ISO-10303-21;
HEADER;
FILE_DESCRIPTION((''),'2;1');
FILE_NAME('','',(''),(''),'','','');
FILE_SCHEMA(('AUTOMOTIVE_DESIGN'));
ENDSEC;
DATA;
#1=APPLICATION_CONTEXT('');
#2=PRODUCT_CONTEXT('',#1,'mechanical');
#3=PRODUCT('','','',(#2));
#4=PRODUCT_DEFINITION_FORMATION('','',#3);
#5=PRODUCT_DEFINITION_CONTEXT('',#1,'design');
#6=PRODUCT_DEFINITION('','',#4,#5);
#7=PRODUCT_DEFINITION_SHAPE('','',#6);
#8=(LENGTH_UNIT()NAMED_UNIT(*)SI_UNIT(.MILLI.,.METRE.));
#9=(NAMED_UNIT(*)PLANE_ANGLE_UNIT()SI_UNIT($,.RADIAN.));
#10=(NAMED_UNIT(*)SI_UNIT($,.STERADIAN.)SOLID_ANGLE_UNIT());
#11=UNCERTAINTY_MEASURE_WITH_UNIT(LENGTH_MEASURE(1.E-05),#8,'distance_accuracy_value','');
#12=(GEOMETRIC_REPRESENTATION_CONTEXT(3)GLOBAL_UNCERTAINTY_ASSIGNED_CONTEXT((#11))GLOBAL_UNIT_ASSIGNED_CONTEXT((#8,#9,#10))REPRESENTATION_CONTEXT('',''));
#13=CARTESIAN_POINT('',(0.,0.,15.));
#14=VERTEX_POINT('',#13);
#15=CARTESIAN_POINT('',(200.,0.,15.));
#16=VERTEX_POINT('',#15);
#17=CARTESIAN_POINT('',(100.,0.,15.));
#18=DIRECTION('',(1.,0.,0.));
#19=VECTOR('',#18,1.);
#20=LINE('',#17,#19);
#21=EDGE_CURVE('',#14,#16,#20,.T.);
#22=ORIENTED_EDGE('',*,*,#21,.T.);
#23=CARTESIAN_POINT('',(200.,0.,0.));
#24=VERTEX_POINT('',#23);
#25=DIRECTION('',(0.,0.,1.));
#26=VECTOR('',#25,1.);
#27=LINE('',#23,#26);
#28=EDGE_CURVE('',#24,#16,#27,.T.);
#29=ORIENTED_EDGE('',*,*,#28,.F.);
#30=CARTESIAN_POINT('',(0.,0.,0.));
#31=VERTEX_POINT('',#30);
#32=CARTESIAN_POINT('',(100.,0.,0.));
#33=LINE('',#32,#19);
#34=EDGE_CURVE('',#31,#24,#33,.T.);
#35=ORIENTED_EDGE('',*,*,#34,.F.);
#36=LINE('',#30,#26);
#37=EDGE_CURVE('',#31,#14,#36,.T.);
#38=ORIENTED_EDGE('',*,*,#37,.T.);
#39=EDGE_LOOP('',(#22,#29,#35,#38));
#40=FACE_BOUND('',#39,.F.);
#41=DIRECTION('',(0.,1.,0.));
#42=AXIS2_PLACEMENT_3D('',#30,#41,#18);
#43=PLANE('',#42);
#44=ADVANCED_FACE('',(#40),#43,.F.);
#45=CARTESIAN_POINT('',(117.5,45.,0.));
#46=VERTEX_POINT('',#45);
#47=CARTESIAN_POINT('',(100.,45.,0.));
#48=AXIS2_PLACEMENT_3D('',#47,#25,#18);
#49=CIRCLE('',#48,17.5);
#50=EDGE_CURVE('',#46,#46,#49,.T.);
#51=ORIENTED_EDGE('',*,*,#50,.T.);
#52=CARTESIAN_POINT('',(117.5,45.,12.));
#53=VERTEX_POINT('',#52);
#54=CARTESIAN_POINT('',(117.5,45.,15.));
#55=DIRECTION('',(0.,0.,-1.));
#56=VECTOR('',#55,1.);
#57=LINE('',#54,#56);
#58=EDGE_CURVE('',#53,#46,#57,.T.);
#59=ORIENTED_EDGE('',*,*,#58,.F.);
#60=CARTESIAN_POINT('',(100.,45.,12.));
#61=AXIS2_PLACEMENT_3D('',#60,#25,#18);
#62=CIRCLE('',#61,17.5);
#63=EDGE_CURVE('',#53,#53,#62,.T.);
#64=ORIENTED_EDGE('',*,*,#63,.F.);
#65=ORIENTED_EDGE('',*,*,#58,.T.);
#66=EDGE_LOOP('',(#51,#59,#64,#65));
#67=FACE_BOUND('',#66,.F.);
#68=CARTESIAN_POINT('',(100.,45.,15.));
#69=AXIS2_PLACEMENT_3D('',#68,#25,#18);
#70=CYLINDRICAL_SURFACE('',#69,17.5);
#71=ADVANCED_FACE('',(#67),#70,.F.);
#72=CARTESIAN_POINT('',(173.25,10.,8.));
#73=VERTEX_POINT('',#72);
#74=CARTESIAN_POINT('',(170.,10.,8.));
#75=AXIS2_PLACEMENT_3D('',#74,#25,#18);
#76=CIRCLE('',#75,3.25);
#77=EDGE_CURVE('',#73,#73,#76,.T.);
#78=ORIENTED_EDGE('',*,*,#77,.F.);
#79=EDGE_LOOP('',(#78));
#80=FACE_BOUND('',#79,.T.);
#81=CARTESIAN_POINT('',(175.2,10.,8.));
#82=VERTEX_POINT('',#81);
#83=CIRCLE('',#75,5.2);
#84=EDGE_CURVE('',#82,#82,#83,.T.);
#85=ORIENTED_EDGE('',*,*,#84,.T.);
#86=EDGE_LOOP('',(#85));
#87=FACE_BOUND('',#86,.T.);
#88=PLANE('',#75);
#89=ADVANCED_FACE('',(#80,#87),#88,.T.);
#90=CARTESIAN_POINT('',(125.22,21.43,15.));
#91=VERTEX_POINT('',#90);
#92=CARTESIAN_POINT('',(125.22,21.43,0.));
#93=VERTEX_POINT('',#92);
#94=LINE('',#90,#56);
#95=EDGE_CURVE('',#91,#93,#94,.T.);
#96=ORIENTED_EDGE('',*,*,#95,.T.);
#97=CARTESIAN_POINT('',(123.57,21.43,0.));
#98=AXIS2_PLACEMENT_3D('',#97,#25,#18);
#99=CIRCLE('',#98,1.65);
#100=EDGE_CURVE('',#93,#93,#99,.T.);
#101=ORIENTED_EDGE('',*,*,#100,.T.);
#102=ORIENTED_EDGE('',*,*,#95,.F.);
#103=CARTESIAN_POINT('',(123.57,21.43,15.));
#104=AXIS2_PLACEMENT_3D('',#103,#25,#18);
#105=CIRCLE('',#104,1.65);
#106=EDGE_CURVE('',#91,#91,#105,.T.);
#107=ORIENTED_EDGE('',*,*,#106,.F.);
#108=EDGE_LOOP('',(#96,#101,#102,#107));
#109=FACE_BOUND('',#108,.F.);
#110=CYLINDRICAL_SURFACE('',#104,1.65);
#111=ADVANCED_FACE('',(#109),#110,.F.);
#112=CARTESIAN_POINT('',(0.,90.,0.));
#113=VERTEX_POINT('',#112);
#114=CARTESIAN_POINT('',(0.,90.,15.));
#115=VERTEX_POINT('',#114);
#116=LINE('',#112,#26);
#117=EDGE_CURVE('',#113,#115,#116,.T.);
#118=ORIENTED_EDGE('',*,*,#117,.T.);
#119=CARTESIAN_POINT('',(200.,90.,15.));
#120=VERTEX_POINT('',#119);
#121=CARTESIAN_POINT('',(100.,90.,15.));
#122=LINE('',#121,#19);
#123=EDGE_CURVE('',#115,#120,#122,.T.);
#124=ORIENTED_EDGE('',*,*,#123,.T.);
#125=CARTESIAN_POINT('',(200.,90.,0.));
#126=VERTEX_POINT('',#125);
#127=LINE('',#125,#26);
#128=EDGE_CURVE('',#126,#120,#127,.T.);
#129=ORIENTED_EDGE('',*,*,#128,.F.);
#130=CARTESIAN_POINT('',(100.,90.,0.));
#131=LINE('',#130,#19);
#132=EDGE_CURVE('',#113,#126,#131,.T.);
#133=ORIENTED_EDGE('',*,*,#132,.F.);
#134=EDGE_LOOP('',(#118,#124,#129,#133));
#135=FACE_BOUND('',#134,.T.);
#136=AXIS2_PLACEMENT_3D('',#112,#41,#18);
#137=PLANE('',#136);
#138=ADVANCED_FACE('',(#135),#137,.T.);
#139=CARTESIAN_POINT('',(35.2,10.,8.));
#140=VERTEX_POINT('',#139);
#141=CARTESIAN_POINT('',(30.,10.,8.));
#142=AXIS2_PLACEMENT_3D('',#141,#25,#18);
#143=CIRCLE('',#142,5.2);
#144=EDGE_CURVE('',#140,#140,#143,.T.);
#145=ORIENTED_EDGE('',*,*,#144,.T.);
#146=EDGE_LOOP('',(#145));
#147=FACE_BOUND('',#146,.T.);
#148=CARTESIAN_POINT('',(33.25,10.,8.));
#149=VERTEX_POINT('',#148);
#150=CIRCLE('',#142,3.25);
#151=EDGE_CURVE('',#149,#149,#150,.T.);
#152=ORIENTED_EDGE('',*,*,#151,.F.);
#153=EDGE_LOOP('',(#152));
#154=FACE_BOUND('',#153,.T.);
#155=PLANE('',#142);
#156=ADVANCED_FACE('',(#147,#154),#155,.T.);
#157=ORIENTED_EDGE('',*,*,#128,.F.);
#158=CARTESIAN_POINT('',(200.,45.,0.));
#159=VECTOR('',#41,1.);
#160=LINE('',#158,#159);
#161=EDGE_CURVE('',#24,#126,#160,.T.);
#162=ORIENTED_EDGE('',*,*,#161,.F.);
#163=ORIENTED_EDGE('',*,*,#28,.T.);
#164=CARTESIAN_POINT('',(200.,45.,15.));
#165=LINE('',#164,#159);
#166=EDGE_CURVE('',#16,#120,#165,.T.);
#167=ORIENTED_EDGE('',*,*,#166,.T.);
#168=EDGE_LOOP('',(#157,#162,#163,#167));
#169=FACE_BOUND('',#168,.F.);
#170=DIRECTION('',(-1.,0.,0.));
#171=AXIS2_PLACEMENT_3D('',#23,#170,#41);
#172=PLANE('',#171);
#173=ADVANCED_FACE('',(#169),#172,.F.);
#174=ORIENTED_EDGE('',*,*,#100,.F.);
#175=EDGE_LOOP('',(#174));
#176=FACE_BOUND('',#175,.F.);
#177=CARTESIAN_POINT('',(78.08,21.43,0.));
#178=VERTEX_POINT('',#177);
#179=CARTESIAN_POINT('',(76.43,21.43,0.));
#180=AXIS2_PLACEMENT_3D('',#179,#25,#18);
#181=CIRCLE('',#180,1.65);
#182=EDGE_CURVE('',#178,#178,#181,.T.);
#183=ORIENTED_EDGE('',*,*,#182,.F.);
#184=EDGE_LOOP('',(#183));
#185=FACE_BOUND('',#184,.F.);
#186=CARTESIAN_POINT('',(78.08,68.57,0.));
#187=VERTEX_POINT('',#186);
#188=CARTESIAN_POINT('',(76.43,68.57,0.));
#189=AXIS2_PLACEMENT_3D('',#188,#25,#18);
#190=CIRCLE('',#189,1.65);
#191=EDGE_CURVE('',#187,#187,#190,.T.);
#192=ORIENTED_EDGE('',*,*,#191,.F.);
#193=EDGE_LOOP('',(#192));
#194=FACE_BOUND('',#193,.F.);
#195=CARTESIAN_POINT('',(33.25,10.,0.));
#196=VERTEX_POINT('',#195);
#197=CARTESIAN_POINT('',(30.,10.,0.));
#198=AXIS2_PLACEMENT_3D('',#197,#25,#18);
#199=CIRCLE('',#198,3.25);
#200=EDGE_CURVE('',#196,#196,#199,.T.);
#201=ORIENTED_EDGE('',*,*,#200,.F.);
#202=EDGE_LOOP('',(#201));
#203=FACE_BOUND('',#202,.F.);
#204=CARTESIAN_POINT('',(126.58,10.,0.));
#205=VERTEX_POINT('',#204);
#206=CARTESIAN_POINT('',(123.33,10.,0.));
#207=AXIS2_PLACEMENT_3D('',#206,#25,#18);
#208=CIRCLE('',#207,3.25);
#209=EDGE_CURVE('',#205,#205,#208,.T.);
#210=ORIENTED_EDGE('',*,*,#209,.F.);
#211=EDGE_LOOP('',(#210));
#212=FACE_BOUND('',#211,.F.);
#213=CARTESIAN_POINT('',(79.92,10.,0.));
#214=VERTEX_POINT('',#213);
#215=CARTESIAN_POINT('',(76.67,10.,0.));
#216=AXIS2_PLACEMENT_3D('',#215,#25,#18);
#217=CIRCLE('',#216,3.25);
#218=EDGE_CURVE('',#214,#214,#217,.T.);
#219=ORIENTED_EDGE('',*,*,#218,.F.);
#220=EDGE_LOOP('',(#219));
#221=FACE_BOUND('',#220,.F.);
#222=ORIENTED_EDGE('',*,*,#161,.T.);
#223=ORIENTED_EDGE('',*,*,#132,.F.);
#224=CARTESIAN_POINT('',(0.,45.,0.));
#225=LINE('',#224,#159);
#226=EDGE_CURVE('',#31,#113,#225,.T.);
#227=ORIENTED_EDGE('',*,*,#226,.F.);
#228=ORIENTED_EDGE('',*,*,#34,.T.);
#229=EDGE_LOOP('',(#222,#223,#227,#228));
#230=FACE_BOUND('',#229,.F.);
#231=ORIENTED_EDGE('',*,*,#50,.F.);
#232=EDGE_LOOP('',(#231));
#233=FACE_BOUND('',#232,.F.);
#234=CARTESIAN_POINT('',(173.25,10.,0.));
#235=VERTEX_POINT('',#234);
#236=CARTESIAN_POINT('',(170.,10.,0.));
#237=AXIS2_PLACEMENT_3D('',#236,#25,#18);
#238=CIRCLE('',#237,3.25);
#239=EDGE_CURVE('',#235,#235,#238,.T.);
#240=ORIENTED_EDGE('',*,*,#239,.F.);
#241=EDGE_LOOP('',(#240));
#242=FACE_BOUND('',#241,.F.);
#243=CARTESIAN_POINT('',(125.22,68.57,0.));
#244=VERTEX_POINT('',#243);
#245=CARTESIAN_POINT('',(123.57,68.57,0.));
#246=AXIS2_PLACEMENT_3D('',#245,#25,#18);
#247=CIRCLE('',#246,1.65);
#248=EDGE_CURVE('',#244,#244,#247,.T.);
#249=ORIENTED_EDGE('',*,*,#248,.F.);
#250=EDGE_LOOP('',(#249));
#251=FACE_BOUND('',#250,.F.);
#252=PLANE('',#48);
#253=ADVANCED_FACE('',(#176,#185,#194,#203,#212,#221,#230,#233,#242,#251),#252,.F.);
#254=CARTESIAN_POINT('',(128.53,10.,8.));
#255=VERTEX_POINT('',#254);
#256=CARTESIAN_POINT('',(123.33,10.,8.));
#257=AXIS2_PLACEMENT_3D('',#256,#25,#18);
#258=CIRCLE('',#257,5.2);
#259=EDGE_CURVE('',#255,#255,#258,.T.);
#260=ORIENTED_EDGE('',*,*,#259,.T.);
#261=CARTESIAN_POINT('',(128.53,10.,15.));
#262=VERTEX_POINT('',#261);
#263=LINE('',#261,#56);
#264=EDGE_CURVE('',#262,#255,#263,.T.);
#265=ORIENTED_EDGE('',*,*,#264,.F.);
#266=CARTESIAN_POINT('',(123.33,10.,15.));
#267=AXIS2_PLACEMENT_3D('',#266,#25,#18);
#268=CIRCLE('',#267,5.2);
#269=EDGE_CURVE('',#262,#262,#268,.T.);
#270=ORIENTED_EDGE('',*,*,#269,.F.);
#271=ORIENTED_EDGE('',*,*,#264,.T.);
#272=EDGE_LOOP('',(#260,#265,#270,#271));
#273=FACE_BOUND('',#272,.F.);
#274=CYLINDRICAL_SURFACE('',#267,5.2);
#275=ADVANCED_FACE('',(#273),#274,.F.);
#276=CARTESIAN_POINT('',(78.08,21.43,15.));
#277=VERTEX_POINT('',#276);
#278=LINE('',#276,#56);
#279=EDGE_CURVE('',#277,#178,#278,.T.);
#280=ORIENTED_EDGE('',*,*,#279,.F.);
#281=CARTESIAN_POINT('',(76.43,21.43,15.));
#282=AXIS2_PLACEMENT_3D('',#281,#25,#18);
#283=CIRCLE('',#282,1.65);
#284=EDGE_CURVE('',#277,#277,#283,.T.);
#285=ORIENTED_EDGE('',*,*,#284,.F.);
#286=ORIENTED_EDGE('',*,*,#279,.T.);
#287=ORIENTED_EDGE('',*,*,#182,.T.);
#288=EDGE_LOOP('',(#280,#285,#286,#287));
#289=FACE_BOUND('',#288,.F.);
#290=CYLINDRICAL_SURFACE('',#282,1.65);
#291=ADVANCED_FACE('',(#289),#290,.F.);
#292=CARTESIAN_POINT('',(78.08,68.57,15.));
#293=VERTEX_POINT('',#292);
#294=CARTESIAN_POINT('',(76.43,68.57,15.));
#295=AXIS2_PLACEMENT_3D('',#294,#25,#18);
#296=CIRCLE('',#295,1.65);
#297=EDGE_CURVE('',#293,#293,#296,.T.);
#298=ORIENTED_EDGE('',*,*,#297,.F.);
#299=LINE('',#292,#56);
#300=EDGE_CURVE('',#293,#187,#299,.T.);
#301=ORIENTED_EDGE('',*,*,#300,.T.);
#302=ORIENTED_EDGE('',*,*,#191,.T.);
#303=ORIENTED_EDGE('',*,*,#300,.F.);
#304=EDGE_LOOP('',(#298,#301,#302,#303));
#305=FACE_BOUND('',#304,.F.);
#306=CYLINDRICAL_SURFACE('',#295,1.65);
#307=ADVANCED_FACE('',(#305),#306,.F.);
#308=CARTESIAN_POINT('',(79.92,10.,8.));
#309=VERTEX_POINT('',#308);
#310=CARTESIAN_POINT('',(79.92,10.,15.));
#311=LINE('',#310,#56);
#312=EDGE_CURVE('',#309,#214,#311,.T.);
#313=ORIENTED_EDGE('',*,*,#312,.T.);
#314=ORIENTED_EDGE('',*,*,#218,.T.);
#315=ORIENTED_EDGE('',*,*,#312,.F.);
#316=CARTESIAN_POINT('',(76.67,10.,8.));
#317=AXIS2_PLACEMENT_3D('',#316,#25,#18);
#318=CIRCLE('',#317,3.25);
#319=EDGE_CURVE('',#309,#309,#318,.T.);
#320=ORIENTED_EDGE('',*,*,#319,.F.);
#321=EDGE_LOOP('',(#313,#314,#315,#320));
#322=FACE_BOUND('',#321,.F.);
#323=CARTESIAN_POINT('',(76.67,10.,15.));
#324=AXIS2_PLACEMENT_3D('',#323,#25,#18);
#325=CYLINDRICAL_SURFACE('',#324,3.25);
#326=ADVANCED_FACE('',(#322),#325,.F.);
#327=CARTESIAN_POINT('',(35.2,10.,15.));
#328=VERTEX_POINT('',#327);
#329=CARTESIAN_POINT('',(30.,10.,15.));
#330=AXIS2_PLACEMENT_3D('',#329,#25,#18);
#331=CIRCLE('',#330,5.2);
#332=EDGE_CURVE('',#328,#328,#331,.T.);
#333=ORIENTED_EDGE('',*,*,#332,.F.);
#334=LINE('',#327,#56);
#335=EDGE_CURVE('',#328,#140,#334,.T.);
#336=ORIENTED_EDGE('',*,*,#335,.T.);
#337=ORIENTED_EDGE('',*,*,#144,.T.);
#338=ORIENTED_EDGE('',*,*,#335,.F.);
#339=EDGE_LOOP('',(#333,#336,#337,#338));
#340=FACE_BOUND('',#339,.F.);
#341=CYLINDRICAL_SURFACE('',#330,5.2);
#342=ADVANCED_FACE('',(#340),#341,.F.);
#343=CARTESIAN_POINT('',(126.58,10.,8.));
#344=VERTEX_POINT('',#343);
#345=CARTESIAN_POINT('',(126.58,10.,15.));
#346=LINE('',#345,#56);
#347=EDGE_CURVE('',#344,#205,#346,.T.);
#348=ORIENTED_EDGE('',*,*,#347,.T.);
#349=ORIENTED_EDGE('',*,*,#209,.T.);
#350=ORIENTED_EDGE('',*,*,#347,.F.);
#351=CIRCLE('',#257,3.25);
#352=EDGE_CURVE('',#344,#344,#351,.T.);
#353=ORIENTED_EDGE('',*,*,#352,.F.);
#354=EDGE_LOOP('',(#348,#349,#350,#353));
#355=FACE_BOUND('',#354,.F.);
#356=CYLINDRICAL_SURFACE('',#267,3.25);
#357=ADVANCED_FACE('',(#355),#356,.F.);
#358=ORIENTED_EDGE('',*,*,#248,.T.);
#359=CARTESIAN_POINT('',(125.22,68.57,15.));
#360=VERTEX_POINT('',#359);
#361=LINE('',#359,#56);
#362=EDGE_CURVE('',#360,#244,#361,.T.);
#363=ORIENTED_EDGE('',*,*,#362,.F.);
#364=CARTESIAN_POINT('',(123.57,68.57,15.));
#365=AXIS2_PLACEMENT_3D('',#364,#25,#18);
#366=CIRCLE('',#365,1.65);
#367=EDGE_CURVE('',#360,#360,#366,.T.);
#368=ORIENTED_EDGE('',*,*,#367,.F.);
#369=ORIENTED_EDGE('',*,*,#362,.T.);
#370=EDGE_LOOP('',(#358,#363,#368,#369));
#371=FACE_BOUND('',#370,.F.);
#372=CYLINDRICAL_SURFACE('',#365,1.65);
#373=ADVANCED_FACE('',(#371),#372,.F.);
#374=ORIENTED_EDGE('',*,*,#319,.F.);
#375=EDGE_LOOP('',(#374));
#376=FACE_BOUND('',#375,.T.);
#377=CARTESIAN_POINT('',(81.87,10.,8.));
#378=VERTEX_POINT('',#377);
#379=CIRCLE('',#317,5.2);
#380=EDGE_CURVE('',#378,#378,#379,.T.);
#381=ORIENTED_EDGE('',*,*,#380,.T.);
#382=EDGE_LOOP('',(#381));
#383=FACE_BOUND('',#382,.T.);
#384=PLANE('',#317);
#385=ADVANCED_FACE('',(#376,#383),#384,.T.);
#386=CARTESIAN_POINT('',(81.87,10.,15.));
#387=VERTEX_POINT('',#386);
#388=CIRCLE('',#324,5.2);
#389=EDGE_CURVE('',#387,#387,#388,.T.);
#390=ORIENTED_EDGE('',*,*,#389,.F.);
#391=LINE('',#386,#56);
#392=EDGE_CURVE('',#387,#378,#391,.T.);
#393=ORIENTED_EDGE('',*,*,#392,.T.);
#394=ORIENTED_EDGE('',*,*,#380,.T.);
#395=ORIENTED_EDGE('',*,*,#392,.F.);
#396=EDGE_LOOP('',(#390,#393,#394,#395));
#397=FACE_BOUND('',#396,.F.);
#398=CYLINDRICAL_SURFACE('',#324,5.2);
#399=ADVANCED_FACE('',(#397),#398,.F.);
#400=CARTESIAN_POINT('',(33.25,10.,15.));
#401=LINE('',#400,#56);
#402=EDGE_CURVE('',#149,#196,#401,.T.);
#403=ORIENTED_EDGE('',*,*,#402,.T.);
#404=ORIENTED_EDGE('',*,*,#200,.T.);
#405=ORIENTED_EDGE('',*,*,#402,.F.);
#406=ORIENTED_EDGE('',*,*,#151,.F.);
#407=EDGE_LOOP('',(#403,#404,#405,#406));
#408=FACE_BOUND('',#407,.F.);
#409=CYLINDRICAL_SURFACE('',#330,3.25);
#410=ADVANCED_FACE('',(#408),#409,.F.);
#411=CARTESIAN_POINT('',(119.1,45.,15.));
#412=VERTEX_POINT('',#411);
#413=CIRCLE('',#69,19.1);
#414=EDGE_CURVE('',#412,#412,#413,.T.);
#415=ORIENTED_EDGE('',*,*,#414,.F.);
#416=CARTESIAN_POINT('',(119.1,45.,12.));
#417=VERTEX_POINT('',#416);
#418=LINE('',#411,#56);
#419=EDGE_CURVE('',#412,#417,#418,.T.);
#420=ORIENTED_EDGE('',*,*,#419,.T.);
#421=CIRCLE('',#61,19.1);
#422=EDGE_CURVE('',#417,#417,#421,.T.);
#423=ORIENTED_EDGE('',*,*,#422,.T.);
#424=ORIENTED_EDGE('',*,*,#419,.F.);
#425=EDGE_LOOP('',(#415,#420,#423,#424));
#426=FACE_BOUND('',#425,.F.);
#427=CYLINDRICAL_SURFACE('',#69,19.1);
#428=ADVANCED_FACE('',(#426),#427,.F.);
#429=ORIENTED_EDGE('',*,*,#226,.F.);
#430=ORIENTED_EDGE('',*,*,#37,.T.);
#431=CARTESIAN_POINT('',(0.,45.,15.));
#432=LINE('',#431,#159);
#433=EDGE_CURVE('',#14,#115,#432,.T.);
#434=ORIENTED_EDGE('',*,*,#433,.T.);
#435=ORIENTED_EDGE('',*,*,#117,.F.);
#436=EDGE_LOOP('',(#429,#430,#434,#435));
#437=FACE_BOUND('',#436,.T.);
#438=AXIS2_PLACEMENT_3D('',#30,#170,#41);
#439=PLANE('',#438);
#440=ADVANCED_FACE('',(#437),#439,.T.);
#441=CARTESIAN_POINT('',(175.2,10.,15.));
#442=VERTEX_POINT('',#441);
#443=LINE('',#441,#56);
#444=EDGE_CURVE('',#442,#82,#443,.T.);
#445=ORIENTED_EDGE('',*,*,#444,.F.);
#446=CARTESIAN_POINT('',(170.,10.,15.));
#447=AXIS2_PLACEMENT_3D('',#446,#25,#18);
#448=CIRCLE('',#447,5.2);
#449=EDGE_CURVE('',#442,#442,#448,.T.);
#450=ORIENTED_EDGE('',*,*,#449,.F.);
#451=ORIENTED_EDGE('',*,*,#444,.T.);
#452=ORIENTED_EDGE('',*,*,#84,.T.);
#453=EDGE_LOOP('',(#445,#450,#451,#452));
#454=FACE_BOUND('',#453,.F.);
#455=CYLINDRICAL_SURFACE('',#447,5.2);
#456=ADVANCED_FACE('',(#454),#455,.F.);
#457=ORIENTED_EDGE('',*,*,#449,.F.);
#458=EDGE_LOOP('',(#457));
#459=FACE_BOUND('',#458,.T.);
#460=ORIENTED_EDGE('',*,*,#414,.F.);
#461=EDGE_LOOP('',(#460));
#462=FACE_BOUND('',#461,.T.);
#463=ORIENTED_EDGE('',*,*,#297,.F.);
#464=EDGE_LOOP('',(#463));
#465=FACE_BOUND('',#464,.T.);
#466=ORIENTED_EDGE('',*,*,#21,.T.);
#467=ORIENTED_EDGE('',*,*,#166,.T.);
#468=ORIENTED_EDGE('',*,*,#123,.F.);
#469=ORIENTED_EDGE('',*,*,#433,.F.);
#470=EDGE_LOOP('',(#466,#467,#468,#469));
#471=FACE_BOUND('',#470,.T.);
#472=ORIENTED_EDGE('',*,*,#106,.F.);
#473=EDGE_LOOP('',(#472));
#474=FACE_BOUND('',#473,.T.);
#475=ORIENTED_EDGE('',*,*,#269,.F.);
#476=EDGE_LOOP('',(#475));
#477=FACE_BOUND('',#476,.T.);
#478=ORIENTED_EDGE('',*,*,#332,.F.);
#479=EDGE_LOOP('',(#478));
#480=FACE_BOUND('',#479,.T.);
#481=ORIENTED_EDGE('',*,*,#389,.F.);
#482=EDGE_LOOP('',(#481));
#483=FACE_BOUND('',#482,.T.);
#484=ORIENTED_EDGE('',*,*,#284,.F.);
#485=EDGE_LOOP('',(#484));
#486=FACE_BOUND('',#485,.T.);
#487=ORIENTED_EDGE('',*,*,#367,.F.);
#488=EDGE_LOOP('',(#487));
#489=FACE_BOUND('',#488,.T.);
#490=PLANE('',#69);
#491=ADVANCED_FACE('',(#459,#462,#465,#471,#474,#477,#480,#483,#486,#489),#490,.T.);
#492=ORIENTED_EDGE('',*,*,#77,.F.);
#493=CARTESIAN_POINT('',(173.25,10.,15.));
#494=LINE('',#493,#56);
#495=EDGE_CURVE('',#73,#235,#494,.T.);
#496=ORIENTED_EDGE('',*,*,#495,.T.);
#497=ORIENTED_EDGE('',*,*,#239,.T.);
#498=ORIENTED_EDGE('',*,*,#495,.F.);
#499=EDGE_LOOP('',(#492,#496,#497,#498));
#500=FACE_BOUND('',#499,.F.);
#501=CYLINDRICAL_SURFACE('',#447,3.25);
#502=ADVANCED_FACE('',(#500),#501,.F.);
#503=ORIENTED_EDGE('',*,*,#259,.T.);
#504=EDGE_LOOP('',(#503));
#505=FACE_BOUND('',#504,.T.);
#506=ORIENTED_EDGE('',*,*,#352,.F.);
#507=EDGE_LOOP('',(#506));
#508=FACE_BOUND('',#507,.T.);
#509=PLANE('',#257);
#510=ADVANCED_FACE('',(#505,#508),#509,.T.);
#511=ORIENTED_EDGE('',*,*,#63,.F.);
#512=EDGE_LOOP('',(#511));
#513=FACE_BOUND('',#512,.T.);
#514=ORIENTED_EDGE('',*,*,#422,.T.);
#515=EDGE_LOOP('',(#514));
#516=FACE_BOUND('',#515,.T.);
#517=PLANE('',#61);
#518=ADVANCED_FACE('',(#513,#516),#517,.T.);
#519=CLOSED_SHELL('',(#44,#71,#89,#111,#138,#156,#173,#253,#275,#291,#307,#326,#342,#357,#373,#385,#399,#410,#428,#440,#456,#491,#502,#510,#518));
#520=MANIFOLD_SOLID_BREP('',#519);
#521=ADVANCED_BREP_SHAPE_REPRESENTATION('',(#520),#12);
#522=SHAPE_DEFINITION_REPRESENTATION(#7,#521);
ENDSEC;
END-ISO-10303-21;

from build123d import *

# Parameters (mm, degrees)
SKETCH_W        = 200
SKETCH_H        = 90
PAD_DEPTH       = 15
SKETCH001_R     = 17.5
SKETCH001_R_2   = 3.25
POCKET_DEPTH    = 15
SKETCH002_R     = 1.65
POCKET001_DEPTH = 15
SKETCH003_R     = 19.1
POCKET002_DEPTH = 3
SKETCH004_R     = 5.2
POCKET003_DEPTH = 7


with BuildPart() as part:
    # Sketch → Pad (new body)
    with BuildSketch(Plane.XY):
        with Locations((100, 45)):
            Rectangle(SKETCH_W, SKETCH_H)
    extrude(amount=PAD_DEPTH)

    # Sketch001 (on Face6 of Pad) → Pocket (cut)
    with BuildSketch(Plane.XY.offset(15)):
        with Locations((100, 45)):
            Circle(SKETCH001_R)
        with Locations((30, 10)):
            Circle(SKETCH001_R_2)
        with Locations((76.67, 10)):
            Circle(SKETCH001_R_2)
        with Locations((123.33, 10)):
            Circle(SKETCH001_R_2)
        with Locations((170, 10)):
            Circle(SKETCH001_R_2)
    extrude(amount=-POCKET_DEPTH, mode=Mode.SUBTRACT)

    # Sketch002 (on Face5 of Pocket) → Pocket001 (cut)
    with BuildSketch(Plane.XY.offset(15)):
        with Locations((76.43, 68.57)):
            Circle(SKETCH002_R)
        with Locations((123.57, 68.57)):
            Circle(SKETCH002_R)
        with Locations((76.43, 21.43)):
            Circle(SKETCH002_R)
        with Locations((123.57, 21.43)):
            Circle(SKETCH002_R)
    extrude(amount=-POCKET001_DEPTH, mode=Mode.SUBTRACT)

    # Sketch003 (on Face5 of Pocket001) → Pocket002 (cut)
    with BuildSketch(Plane.XY.offset(15)):
        with Locations((100, 45)):
            Circle(SKETCH003_R)
    extrude(amount=-POCKET002_DEPTH, mode=Mode.SUBTRACT)

    # Sketch004 (on Face5 of Pocket002) → Pocket003 (cut)
    with BuildSketch(Plane.XY.offset(15)):
        with Locations((30, 10)):
            Circle(SKETCH004_R)
        with Locations((76.67, 10)):
            Circle(SKETCH004_R)
        with Locations((123.33, 10)):
            Circle(SKETCH004_R)
        with Locations((170, 10)):
            Circle(SKETCH004_R)
    extrude(amount=-POCKET003_DEPTH, mode=Mode.SUBTRACT)


solid = part.part
